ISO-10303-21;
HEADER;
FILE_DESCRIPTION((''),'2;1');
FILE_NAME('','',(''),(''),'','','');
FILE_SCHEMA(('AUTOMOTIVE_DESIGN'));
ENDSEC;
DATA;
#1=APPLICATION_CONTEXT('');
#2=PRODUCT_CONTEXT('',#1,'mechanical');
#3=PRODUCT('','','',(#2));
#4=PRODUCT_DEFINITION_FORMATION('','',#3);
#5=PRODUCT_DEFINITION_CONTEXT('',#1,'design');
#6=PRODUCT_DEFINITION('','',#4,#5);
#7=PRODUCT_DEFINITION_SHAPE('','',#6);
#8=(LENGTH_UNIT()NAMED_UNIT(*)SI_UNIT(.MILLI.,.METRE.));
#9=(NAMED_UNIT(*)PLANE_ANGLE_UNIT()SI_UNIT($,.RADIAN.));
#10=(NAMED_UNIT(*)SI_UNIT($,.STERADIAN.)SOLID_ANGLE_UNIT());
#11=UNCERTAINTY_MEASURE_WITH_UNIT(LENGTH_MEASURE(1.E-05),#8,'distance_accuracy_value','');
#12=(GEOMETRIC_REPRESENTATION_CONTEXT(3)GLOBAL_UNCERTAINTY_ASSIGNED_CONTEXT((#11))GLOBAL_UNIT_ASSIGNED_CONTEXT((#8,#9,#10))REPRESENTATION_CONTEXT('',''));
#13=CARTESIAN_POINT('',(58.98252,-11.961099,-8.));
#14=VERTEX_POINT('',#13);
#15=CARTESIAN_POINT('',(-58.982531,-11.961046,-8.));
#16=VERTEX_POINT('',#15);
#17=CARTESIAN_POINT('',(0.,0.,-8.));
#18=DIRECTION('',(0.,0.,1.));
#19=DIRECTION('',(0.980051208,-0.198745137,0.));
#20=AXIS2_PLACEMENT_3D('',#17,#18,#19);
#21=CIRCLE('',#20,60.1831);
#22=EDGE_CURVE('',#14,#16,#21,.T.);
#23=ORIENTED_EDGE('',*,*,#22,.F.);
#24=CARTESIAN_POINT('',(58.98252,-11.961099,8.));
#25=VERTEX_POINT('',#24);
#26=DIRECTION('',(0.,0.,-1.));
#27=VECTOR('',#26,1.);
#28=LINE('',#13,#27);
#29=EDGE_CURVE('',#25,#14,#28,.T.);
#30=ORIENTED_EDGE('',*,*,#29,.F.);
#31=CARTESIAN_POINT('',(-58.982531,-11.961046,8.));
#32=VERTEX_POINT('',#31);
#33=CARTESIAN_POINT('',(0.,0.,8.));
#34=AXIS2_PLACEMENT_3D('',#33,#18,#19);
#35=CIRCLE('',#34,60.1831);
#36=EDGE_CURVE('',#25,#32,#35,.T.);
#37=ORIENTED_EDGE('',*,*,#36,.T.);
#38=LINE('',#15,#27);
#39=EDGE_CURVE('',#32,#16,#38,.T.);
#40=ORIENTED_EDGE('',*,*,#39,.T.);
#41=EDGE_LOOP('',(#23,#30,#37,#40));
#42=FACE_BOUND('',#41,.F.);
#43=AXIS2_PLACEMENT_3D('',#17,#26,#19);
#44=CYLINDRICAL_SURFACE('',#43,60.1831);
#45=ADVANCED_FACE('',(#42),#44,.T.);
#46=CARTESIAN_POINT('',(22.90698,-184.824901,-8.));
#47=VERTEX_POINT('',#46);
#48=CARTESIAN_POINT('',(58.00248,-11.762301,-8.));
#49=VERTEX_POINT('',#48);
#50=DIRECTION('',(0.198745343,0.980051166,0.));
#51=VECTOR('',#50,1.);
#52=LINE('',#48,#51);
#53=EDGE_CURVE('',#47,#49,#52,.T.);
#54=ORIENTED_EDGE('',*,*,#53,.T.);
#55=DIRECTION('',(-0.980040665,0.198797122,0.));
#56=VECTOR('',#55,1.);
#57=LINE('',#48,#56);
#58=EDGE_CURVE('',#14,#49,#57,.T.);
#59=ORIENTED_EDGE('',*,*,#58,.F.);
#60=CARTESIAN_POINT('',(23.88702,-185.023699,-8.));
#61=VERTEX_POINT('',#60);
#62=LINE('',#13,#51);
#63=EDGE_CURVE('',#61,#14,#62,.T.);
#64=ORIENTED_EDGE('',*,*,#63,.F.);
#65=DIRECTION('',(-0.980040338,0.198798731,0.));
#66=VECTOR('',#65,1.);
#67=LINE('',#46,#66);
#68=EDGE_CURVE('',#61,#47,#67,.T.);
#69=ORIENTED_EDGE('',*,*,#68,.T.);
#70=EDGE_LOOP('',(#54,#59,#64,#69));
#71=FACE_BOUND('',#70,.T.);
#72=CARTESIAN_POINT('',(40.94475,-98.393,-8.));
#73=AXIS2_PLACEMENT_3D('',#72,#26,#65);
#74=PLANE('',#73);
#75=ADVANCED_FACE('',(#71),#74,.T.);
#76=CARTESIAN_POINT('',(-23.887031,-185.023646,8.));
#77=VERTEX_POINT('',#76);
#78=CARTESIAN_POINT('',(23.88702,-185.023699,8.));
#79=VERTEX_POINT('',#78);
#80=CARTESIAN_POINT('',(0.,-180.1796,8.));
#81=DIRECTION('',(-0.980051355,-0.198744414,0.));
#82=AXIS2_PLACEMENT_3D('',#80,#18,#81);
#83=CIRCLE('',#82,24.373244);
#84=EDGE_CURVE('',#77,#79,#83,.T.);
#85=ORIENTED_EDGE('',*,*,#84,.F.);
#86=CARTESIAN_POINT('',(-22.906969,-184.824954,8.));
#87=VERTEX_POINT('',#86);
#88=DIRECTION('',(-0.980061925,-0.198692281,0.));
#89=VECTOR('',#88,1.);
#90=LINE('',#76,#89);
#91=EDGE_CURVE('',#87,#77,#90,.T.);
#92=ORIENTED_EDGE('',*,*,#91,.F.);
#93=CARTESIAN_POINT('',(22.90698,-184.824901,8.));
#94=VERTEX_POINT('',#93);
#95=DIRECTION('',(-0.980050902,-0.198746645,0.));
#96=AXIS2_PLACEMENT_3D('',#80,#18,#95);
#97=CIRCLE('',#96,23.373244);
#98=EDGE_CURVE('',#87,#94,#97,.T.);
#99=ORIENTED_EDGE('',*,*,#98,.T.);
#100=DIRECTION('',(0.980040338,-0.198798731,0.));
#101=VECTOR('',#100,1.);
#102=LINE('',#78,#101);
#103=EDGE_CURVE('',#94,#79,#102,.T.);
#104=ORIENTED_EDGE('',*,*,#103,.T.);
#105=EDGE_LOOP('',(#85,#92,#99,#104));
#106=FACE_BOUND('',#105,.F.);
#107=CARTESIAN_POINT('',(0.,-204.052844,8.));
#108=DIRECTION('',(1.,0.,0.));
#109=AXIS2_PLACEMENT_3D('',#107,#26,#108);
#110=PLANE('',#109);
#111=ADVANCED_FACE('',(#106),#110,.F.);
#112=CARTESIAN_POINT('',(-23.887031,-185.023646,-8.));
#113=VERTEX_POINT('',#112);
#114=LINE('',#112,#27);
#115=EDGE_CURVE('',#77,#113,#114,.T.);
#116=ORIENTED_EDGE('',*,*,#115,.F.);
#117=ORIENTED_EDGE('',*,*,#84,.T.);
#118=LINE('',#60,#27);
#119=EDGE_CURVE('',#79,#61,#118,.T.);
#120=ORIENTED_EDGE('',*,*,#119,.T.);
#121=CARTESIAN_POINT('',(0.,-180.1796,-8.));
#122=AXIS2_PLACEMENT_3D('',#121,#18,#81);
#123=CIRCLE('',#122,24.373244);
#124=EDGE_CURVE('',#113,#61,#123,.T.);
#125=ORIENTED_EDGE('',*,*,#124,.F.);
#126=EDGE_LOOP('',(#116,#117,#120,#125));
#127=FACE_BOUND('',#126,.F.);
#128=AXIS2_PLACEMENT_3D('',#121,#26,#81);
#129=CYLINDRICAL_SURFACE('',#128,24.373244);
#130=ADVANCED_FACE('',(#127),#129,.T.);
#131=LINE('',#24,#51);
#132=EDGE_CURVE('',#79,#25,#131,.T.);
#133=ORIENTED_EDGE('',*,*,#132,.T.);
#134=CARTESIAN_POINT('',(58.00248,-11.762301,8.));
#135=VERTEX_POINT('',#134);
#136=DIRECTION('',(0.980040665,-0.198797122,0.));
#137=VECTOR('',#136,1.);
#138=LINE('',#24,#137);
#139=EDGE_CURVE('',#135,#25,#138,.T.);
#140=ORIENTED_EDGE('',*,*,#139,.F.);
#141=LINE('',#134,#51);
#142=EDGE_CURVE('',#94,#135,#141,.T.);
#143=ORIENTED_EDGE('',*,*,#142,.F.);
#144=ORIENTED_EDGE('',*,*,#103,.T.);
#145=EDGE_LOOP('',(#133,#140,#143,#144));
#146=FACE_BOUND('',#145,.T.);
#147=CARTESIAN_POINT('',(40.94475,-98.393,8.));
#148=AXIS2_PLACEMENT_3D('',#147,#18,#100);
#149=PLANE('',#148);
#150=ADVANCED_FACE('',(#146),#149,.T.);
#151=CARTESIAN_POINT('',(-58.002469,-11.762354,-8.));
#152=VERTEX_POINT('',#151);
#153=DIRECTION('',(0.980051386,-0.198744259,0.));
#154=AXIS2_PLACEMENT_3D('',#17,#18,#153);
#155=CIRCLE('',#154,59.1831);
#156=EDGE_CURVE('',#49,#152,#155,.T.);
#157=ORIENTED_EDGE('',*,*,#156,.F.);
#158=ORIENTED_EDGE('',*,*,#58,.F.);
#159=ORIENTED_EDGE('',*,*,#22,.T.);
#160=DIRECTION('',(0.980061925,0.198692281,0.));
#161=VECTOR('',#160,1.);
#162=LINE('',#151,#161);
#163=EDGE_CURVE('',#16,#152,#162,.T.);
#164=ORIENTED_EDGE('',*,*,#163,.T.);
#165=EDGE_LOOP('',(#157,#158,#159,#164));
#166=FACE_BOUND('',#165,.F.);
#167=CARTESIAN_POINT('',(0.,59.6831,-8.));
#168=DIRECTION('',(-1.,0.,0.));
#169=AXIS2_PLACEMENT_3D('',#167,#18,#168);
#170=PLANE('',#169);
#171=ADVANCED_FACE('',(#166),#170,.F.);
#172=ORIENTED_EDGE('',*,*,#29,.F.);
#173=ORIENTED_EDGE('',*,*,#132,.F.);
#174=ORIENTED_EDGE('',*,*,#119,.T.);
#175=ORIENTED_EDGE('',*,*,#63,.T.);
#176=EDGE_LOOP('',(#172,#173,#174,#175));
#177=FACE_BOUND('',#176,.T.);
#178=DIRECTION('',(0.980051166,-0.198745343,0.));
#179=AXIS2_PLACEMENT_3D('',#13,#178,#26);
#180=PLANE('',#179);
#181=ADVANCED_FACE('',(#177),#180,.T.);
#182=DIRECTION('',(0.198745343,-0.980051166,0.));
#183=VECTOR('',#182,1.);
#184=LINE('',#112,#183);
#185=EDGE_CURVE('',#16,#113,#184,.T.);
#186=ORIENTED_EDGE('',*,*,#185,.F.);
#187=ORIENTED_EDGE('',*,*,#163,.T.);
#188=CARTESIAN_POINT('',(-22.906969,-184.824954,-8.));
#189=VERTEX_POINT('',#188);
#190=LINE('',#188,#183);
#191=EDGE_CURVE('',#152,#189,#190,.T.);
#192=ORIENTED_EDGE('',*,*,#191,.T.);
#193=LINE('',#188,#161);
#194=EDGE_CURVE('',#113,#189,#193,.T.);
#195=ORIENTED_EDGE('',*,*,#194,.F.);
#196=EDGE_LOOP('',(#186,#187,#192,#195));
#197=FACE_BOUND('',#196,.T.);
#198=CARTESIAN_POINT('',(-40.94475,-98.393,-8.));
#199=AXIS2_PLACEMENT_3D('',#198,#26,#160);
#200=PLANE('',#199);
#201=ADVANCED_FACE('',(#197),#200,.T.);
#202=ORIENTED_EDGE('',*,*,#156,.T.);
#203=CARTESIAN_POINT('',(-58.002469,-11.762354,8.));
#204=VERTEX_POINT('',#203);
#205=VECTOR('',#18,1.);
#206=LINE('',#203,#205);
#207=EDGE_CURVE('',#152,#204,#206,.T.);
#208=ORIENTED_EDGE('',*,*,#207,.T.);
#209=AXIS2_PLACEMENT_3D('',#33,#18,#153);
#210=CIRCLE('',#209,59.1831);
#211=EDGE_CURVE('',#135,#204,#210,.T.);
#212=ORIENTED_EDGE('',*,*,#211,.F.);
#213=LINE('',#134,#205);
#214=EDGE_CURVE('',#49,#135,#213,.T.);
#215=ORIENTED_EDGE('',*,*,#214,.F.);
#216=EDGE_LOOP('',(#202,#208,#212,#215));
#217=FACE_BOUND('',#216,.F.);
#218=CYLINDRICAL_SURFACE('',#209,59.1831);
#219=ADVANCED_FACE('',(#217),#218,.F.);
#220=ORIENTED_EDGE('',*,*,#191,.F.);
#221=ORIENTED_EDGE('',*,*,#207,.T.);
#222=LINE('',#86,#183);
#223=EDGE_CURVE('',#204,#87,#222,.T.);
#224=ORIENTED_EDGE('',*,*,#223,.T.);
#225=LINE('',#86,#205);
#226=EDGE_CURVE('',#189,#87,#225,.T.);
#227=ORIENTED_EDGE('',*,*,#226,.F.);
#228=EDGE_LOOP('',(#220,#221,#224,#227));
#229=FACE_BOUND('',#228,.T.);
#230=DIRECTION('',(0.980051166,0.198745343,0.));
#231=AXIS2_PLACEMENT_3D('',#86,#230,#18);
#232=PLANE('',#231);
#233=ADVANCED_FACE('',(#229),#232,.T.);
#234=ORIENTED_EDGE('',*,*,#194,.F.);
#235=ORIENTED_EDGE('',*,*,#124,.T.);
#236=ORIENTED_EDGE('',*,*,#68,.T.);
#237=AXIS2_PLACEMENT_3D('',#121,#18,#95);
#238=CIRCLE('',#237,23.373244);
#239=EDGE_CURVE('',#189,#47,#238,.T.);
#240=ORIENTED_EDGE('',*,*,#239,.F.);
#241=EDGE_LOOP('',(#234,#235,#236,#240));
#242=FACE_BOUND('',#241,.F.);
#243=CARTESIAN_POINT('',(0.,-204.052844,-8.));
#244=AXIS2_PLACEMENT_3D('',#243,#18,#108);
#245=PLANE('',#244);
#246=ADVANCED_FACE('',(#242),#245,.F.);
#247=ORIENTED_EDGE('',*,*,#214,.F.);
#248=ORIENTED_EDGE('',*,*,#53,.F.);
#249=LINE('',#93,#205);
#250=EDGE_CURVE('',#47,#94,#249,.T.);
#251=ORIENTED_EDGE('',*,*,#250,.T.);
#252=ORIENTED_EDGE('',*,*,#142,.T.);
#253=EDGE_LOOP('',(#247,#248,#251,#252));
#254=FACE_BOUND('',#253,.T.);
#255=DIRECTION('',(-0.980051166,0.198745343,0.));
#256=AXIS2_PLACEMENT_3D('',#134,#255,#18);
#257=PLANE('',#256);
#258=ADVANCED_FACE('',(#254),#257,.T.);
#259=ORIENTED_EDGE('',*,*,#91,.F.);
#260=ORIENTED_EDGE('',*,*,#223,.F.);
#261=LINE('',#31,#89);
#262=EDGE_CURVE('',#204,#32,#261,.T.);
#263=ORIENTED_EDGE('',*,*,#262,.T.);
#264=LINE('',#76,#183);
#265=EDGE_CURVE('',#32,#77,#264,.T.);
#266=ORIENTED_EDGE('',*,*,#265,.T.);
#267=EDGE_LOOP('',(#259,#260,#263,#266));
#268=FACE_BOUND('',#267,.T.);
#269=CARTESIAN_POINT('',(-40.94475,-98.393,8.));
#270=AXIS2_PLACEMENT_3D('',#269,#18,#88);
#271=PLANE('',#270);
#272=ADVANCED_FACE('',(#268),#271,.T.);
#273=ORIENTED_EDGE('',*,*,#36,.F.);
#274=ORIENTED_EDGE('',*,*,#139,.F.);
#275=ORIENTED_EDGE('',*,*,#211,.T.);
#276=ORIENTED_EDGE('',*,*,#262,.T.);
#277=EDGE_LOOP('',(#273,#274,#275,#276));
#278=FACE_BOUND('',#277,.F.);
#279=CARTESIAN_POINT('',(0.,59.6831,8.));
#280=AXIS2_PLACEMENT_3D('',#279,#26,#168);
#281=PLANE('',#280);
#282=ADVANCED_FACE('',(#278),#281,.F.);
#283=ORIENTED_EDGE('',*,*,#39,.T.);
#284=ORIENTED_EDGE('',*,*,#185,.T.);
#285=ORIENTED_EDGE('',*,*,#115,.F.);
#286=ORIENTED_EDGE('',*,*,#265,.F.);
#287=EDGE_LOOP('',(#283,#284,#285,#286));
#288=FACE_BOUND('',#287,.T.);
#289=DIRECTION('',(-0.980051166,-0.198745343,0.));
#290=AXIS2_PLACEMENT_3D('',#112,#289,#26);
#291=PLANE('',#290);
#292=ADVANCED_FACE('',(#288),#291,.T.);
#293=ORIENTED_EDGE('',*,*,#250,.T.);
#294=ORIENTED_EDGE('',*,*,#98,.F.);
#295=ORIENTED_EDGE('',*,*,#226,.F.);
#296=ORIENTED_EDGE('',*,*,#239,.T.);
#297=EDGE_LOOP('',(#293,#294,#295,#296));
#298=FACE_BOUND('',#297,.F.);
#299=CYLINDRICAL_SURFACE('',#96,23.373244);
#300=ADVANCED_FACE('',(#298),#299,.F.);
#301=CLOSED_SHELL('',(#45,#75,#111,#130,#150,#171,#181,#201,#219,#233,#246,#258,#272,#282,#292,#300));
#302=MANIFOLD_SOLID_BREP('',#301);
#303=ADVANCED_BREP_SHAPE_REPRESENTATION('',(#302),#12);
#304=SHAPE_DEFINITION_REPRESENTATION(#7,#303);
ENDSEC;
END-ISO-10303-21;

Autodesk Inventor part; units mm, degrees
sketch "Sketch Path" plane through (0, 0, 0) normal (0, 0, 1) x (1, 0, 0)
  arc A0 (58.4925, -11.8617) -> (-58.4925, -11.8617) centre (0, 0) ccw
  arc A1 (-23.397, -184.9243) -> (23.397, -184.9243) centre (0, -180.1796) ccw
  line L0 (-23.397, -184.9243) -> (-58.4925, -11.8617)
  line L1 (58.4925, -11.8617) -> (23.397, -184.9243)
ref_plane "Cross Section Plane" through (-58.4925, -11.8617, 0) normal (0.1987, -0.9801, 0) x (0, 0, 1)
ref_plane "Work Plane2" through (0, 0, 0) normal (-1, 0, 0) x (0, 0, 1)
ref_plane "Work Plane3" through (0, -180.1796, 0) normal (0.309, 0.9511, 0) x (0, 0, 1)
sketch "Cross Section" plane through (-58.4925, -11.8617, 0) normal (0.1987, -0.9801, 0) x (0, 0, 1)
  line L0 (-8, 0.5) -> (8, 0.5)
  line L1 (8, 0.5) -> (8, -0.5)
  line L2 (8, -0.5) -> (-8, -0.5)
  line L3 (-8, -0.5) -> (-8, 0.5)
  line L4 (-8, 0) -> (8, 0) construction
  point P0 (0, 0)
  point P1 (0, 0)
  dimension "d0" = 16
  dimension "d4" = 0.5
  dimension "d5" = 0.5
sweep "Belt" add profiles "Cross Section" path "Sketch Path"
equation "\"d0\" = da_B"
equation "\"d4\" = da_a"
equation "\"d5\" = da_a2"
equation "\"da_B\" = 16"
equation "\"da_pb\" = 5"
equation "\"da_a\" = 0.5"
equation "\"da_S\" = 2.65"
equation "\"da_Beta\" = 20deg"
equation "\"da_Ht\" = 1.2"
equation "\"da_H\" = 2.2"
equation "\"da_a2\" = 0.5"
properties part number "Synchronous Belt" material "Rubber"
